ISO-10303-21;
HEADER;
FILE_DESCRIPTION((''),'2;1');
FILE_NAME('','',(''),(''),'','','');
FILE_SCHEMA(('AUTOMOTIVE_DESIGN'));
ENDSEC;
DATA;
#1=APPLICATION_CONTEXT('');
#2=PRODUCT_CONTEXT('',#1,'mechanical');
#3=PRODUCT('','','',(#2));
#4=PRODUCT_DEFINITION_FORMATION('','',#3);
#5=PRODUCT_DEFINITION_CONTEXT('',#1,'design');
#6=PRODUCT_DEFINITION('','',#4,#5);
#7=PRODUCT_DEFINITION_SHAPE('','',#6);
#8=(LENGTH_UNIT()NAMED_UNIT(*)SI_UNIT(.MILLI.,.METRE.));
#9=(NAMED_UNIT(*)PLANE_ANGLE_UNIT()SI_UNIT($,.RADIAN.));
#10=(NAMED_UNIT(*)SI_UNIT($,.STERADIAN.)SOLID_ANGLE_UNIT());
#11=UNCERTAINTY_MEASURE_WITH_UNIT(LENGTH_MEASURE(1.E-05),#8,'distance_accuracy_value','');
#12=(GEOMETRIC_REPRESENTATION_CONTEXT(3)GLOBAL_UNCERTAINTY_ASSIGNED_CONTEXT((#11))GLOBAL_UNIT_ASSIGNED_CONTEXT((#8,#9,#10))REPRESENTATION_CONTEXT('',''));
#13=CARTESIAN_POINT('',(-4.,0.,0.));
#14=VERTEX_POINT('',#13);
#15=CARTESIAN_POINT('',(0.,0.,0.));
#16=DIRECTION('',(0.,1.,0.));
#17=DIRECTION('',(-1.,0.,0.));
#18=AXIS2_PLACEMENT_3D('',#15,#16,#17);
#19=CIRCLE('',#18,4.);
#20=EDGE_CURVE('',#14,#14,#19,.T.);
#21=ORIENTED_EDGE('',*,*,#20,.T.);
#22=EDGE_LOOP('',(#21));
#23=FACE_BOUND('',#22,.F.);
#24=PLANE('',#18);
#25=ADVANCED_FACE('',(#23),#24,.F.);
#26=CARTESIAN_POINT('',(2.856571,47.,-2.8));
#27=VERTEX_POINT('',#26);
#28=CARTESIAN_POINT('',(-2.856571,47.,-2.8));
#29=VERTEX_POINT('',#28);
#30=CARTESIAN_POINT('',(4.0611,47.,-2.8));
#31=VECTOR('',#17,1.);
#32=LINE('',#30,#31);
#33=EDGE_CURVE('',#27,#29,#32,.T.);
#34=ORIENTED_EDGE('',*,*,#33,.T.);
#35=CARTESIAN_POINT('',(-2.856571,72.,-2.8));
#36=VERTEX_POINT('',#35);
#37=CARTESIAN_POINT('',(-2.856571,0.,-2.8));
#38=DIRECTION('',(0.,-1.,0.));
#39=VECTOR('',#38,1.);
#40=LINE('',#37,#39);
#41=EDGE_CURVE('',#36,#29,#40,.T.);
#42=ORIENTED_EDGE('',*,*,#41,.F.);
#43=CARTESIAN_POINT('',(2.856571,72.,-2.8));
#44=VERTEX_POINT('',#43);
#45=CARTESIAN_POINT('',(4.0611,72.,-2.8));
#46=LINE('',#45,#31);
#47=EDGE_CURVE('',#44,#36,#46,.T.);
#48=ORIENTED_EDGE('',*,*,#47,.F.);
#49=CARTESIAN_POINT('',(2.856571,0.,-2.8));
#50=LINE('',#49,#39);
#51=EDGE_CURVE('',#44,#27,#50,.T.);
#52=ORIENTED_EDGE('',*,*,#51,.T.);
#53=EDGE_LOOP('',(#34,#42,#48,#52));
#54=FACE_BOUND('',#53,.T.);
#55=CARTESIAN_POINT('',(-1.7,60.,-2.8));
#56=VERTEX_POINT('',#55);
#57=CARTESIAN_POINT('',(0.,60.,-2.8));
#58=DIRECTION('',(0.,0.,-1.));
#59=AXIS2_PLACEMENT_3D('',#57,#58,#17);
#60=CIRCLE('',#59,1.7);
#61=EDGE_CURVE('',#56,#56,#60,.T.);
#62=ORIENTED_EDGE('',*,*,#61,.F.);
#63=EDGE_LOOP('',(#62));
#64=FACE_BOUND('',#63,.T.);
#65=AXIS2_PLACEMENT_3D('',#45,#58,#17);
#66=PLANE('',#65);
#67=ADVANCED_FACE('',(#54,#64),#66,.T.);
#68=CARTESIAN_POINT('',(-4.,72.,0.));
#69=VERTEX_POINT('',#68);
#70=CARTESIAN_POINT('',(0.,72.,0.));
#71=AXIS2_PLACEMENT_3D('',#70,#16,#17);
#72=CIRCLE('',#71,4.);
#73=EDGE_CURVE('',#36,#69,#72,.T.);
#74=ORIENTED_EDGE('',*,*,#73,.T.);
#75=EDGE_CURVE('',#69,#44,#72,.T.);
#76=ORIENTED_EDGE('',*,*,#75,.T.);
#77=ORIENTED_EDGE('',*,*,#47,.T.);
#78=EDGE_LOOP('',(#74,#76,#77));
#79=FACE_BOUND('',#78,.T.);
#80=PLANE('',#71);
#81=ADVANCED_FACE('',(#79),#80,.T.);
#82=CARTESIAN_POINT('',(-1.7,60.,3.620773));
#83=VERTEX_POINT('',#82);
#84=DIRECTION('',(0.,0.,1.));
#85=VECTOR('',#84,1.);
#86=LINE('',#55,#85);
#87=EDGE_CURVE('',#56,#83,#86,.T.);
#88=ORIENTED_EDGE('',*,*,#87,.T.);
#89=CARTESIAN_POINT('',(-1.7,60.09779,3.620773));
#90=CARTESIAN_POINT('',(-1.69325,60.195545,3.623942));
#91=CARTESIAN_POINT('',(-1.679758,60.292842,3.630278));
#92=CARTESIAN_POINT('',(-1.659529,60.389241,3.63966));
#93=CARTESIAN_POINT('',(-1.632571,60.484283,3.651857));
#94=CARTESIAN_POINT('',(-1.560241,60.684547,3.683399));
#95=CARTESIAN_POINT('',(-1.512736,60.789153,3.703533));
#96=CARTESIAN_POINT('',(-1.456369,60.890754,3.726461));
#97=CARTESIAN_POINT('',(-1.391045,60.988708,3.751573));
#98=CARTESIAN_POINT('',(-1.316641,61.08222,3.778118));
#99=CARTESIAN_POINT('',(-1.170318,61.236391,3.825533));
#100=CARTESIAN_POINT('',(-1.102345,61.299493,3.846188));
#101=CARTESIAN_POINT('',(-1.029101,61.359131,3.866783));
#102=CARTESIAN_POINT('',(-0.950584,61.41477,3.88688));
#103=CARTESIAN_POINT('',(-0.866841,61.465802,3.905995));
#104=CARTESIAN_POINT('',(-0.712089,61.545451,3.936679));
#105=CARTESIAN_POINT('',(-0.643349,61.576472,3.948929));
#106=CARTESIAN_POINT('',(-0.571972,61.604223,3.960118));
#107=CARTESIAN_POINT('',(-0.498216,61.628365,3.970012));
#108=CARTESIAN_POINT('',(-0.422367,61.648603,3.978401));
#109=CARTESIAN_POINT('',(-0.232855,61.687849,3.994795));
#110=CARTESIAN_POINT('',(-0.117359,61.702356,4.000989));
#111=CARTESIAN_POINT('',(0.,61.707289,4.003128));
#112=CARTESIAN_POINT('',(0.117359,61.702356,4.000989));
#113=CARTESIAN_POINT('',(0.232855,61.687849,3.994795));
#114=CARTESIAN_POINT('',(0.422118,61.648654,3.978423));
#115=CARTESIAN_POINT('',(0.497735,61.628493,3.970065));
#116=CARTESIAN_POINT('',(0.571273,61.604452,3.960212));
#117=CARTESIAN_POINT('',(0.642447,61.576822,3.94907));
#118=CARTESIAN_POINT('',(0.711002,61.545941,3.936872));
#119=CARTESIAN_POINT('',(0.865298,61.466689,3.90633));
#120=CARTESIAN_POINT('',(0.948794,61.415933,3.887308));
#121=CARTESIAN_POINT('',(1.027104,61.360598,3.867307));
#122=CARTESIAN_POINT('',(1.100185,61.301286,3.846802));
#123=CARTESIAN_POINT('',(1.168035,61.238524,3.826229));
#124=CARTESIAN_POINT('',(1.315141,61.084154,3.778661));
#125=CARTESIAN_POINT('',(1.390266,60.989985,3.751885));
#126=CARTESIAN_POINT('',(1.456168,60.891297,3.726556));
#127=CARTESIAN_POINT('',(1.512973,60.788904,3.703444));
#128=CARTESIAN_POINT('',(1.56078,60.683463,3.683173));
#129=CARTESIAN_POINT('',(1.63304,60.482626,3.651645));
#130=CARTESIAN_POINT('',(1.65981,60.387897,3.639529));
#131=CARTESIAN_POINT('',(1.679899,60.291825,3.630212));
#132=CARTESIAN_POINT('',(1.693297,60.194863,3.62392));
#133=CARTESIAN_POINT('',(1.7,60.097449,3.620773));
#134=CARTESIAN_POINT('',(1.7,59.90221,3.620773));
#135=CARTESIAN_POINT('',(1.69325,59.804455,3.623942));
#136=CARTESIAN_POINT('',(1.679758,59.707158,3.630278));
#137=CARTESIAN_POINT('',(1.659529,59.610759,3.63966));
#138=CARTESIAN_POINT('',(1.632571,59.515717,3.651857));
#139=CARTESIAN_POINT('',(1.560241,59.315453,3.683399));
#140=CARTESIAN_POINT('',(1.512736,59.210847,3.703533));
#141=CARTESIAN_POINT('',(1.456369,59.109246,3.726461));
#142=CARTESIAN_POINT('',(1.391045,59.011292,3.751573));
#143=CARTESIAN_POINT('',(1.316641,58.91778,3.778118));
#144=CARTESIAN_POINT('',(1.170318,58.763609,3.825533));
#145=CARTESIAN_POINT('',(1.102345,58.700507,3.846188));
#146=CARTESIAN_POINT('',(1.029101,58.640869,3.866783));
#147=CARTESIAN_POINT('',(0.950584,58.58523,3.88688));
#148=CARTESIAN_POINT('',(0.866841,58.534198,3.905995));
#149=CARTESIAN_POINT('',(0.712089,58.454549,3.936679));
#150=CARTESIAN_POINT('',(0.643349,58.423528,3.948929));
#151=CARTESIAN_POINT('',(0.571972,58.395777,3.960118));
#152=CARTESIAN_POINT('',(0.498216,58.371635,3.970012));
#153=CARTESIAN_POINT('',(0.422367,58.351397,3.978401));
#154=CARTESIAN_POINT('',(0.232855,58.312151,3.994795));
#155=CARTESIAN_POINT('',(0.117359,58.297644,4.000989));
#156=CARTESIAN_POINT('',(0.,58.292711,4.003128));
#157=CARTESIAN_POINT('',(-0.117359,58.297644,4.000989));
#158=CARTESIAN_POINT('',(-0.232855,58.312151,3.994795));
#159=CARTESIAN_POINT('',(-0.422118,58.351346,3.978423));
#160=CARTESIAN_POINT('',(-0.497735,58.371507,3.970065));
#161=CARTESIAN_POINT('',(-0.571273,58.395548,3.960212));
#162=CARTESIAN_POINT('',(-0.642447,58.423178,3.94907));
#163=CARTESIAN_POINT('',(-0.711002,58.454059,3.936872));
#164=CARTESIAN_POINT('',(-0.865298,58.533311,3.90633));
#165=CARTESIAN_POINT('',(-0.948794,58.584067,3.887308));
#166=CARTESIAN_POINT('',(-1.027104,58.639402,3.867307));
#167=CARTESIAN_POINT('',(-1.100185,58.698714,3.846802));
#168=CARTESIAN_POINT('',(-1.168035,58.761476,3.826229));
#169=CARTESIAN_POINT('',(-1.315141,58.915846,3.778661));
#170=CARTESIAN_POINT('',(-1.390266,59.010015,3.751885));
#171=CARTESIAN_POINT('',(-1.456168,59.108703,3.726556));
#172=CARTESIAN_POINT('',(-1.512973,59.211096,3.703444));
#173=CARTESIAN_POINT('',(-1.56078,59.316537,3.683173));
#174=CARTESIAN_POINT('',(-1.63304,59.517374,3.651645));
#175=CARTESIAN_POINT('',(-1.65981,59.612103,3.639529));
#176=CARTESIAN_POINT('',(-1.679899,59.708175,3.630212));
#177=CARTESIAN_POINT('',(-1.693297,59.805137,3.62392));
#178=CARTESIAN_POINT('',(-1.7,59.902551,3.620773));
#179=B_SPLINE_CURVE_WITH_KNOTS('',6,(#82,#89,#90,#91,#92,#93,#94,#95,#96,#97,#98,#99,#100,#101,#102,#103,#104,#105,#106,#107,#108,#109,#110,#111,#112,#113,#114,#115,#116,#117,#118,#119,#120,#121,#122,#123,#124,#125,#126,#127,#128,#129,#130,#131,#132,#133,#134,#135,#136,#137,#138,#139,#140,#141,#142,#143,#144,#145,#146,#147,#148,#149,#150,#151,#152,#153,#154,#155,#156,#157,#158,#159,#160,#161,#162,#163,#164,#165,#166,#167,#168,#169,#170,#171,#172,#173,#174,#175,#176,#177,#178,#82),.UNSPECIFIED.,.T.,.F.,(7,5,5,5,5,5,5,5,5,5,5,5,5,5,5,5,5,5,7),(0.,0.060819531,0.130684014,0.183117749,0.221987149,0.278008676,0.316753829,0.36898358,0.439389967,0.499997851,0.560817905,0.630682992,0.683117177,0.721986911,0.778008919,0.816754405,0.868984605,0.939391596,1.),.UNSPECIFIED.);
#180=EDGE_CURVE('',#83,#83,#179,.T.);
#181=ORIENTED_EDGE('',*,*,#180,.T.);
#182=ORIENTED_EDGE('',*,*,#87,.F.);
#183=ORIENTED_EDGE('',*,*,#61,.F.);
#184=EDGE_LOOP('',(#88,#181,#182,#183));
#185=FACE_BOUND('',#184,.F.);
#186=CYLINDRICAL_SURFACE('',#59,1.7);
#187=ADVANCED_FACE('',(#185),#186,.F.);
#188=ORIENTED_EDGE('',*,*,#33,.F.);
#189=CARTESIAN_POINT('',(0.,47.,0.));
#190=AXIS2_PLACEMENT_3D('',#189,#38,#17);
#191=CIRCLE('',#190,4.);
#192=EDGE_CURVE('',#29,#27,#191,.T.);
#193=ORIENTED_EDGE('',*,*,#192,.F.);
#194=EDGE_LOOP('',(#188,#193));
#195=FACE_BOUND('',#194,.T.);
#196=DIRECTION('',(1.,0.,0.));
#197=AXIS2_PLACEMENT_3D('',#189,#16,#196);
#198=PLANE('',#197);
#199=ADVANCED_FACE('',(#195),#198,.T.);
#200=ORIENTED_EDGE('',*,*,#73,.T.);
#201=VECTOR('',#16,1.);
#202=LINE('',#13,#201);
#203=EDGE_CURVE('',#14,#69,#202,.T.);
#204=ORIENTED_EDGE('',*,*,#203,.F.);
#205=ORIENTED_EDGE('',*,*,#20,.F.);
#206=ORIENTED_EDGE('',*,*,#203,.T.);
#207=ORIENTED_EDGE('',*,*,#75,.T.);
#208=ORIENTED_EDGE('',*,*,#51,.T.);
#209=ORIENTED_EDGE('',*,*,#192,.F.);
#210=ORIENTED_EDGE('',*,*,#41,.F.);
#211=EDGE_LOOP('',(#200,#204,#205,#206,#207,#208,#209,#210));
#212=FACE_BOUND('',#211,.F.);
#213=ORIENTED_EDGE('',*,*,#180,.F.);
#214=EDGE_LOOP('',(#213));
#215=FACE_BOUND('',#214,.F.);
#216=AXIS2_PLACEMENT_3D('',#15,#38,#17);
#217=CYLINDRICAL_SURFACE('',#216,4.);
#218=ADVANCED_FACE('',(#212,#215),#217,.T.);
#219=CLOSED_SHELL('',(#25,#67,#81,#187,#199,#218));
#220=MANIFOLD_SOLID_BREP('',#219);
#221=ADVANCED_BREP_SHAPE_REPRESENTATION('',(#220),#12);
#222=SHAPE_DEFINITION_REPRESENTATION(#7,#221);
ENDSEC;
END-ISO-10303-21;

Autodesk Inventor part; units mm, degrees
ref_plane "YZ Plane" through (0, 0, 0) normal (1, 0, 0) x (0, 1, 0)
ref_plane "XZ Plane" through (0, 0, 0) normal (0, 1, 0) x (-1, 0, 0)
ref_plane "XY Plane" through (0, 0, 0) normal (0, 0, 1) x (1, 0, 0)
sketch "スケッチ2" plane through (0, 0, 0) normal (0, 1, 0) x (-1, 0, 0)
  circle A0 centre (0, 0) radius 4
  dimension "d0" = 8
extrude "押し出し1" add sketch "スケッチ2" along normal blind 72
sketch "スケッチ3" plane through (0, 72, 0) normal (0, 1, 0) x (1, 0, 0)
  line L0 (-4.1769, 6.014) -> (4.0611, 6.014)
  line L1 (4.0611, 6.014) -> (4.0611, 2.8)
  line L2 (4.0611, 2.8) -> (-4.1769, 2.8)
  line L3 (-4.1769, 2.8) -> (-4.1769, 6.014)
  point P0 (0, 0)
  dimension "d3" = 2.8
extrude "押し出し2" cut sketch "スケッチ3" against normal blind 25
sketch "スケッチ4" plane through (2.8566, 72, -2.8) normal (0, 0, -1) x (-1, 0, 0)
  line L0 (6.8566, 0) -> (-1.1434, 0) projected
  line L1 (2.8566, 0) -> (2.8566, -27.2038) construction
  circle A0 centre (2.8566, -12) radius 1.7
  point P0 (2.8566, -72)
  point P1 (5.7131, 0)
  point P2 (0, 0)
  dimension "d6" = 3.4
  dimension "d7" = 12
extrude "押し出し3" cut sketch "スケッチ4" against normal through all
properties part number "Rotary_Feedthorough_top"
